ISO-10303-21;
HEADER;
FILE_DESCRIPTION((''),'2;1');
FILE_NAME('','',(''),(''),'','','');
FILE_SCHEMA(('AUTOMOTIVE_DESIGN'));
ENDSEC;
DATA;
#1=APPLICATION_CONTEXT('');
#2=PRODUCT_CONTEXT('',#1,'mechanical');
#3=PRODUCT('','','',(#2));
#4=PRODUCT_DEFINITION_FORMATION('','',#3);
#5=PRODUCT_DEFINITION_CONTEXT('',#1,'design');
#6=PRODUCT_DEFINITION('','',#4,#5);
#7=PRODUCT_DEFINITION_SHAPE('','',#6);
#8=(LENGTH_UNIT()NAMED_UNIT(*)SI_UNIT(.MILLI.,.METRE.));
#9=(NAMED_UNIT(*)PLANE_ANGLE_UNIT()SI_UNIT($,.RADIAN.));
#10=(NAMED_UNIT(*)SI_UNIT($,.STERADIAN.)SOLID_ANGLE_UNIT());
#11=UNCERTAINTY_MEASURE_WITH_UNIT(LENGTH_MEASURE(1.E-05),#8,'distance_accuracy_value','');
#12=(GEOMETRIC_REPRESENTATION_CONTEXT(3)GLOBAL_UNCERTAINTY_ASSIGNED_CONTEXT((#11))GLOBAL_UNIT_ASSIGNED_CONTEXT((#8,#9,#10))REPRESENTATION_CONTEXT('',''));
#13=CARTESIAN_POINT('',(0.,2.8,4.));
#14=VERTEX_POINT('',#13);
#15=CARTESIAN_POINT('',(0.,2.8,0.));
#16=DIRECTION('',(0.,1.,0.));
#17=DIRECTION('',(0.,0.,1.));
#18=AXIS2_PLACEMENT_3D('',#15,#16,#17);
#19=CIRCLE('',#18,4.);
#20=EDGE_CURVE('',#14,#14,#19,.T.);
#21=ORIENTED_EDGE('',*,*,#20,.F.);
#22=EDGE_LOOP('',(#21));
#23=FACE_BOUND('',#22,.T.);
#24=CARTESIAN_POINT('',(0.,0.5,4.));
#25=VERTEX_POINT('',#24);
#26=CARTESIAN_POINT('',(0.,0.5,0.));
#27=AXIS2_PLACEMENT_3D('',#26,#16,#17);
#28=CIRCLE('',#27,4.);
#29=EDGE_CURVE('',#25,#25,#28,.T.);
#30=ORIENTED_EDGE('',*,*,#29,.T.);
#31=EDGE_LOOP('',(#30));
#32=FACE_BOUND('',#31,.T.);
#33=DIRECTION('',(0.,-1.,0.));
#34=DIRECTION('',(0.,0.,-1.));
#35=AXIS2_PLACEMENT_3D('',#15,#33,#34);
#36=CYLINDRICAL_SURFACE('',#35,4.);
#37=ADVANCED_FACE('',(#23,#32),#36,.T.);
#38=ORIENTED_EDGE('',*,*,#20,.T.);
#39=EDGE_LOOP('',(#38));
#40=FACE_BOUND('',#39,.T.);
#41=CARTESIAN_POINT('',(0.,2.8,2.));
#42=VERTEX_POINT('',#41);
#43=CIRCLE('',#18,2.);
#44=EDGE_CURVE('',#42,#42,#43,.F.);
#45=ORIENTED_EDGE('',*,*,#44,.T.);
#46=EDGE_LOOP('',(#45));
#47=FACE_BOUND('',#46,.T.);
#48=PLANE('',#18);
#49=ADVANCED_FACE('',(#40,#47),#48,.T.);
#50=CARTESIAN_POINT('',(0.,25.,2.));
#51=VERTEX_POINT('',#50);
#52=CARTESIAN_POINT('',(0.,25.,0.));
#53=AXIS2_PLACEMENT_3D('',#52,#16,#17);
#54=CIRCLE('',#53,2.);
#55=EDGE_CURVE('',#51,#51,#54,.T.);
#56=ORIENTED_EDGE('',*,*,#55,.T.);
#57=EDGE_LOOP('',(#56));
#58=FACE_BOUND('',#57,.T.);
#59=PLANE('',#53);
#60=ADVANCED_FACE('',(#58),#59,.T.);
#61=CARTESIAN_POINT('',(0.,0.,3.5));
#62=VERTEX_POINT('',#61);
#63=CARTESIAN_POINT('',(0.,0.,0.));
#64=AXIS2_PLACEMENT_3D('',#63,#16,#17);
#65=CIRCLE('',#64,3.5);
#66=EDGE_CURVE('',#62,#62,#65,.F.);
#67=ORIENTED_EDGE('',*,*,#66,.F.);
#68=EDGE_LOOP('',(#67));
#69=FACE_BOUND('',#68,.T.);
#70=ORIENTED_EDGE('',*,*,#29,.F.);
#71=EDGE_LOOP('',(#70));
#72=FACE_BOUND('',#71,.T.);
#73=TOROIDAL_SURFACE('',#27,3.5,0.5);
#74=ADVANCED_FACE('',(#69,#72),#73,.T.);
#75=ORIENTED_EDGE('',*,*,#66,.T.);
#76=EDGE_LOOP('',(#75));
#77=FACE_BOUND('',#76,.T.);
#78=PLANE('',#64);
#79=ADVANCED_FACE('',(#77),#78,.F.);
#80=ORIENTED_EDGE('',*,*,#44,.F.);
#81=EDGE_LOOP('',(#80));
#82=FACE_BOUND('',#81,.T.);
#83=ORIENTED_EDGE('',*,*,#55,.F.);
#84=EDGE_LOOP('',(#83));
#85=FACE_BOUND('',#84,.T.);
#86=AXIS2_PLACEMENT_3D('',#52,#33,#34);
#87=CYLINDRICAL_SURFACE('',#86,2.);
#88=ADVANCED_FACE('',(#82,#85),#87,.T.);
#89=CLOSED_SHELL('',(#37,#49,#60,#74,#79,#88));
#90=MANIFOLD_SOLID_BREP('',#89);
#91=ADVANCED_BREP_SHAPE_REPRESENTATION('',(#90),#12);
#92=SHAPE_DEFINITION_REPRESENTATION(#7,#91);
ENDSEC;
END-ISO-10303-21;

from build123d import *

# Parameters (mm, degrees)
SKETCH_1_R      = 4
EXTRUDE_1_DEPTH = 2.8
SKETCH_1_3_R    = 2
EXTRUDE_2_DEPTH = 25
FILLET_1_R      = 0.5


with BuildPart() as part:
    # 草图1 → 凸台-拉伸1 (new body)
    with BuildSketch(Plane(origin=(0, 0, 0), x_dir=(1, 0, 0), z_dir=(0, 1, 0))):
        Circle(SKETCH_1_R)
    extrude(amount=EXTRUDE_1_DEPTH)

    # 草图1<3> → 凸台-拉伸2 (add)
    with BuildSketch(Plane(origin=(0, 0, 0), x_dir=(1, 0, 0), z_dir=(0, 1, 0))):
        Circle(SKETCH_1_3_R)
    extrude(amount=EXTRUDE_2_DEPTH)

    # 圆角1
    fillet_1_edges = [part.edges().sort_by_distance(p)[0] for p in [
        (-4, 0, 0),
    ]]
    fillet(fillet_1_edges, radius=FILLET_1_R)


solid = part.part
